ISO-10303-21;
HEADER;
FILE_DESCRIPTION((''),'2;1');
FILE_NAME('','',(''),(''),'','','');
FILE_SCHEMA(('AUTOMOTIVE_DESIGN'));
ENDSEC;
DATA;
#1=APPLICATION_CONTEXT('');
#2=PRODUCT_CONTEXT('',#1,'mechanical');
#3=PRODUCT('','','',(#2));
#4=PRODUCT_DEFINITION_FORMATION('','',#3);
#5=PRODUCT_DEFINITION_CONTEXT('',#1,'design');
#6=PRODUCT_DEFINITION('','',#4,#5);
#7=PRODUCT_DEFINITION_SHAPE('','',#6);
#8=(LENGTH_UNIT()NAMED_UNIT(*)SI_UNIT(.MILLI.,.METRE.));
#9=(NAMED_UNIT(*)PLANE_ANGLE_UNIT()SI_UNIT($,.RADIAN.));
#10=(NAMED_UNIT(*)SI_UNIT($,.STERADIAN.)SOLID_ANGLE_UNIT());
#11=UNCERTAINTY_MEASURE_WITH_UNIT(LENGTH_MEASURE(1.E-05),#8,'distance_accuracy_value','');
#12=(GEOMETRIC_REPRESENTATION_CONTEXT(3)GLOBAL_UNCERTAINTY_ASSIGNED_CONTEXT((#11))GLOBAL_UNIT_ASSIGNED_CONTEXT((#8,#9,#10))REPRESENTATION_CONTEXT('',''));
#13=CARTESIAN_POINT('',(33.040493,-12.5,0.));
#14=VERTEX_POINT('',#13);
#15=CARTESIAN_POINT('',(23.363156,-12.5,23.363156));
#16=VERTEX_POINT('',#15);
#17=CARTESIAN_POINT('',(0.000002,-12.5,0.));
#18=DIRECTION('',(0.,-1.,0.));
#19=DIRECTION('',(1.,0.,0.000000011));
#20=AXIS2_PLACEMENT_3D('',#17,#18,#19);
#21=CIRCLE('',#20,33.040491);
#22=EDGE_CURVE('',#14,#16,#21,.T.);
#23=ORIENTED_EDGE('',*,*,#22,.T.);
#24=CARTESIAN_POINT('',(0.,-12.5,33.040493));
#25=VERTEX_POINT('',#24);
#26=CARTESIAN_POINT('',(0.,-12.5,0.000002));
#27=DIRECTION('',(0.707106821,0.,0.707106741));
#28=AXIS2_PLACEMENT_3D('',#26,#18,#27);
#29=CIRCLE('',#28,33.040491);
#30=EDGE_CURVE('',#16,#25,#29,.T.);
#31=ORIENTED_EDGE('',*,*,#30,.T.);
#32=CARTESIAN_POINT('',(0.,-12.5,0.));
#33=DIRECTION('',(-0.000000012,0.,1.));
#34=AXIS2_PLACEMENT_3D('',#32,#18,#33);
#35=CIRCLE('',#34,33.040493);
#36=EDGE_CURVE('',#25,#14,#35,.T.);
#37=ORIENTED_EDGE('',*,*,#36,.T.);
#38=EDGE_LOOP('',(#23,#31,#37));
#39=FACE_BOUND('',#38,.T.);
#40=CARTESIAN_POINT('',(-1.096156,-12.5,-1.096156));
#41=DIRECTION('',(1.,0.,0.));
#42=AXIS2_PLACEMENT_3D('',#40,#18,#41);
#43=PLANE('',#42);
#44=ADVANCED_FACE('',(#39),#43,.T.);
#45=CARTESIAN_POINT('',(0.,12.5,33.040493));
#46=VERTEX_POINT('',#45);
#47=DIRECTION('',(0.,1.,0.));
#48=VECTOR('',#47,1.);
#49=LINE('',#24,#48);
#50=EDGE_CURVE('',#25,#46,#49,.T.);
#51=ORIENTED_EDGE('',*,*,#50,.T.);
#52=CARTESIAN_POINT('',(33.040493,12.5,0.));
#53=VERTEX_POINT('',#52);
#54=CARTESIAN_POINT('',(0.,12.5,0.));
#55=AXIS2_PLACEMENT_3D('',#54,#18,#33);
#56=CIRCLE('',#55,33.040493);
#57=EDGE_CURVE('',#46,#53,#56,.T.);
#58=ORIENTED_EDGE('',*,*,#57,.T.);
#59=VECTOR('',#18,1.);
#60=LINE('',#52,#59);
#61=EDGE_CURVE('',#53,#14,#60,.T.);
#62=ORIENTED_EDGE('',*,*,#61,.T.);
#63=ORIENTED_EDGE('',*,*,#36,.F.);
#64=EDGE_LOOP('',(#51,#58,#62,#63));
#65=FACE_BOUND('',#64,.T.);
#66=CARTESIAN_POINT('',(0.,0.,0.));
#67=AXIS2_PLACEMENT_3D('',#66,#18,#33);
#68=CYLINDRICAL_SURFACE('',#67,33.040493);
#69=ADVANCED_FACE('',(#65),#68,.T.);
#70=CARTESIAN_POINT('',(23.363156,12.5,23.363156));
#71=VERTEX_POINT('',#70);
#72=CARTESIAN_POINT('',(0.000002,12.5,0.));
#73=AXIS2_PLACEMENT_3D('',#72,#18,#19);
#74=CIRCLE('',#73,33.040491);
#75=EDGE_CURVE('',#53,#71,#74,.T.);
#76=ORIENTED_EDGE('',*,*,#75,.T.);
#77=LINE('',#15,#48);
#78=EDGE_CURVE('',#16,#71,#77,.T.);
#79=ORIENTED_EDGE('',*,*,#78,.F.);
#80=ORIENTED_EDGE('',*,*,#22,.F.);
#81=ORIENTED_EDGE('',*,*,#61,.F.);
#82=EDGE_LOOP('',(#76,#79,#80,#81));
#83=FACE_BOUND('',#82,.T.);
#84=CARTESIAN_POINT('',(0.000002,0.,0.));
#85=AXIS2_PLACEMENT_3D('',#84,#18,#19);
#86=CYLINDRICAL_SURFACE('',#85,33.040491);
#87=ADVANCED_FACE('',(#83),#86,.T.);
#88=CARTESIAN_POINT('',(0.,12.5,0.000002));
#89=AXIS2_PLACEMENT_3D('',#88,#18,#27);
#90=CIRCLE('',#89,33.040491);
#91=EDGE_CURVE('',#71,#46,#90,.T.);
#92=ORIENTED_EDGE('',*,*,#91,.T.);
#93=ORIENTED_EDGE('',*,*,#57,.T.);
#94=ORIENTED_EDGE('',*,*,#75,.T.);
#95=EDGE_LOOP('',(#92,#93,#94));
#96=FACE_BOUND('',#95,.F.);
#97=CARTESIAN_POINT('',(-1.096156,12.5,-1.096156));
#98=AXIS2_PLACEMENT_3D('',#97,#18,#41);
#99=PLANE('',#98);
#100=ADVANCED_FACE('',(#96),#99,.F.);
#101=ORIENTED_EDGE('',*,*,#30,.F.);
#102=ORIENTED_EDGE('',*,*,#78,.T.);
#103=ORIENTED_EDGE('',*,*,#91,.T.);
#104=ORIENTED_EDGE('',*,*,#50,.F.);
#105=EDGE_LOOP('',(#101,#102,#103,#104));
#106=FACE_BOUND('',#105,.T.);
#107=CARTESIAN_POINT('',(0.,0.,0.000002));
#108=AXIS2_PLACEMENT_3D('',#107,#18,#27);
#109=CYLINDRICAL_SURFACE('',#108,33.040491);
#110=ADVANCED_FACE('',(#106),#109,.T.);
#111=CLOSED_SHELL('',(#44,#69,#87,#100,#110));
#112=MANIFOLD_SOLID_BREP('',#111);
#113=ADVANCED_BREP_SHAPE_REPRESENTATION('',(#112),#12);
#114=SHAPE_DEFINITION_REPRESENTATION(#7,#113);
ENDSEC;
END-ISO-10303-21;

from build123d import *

# Parameters (mm, degrees)
F1_DEPTH = 12.5


with BuildPart() as f1:
    # F0 (on Front) → F1 (new body, symmetric)
    with BuildSketch(Plane.XZ):
        with BuildLine():
            ThreePointArc((0, 33.040493), (-23.363156, -23.363156), (33.040493, 0))
            Line((33.040493, 0), (0, 0))
            Line((0, 0), (0, 33.040493))
        make_face()
        with BuildLine():
            Line((0, 0), (33.040493, 0))
            ThreePointArc((33.040493, 0), (30.525435, 12.644049), (23.363156, 23.363156))
            Line((23.363156, 23.363156), (0, 0))
        make_face()
        with BuildLine():
            Line((0, 0), (23.363156, 23.363156))
            ThreePointArc((23.363156, 23.363156), (12.644049, 30.525435), (0, 33.040493))
            Line((0, 33.040493), (0, 0))
        make_face()
    extrude(amount=F1_DEPTH, both=True)


solid = f1.part
